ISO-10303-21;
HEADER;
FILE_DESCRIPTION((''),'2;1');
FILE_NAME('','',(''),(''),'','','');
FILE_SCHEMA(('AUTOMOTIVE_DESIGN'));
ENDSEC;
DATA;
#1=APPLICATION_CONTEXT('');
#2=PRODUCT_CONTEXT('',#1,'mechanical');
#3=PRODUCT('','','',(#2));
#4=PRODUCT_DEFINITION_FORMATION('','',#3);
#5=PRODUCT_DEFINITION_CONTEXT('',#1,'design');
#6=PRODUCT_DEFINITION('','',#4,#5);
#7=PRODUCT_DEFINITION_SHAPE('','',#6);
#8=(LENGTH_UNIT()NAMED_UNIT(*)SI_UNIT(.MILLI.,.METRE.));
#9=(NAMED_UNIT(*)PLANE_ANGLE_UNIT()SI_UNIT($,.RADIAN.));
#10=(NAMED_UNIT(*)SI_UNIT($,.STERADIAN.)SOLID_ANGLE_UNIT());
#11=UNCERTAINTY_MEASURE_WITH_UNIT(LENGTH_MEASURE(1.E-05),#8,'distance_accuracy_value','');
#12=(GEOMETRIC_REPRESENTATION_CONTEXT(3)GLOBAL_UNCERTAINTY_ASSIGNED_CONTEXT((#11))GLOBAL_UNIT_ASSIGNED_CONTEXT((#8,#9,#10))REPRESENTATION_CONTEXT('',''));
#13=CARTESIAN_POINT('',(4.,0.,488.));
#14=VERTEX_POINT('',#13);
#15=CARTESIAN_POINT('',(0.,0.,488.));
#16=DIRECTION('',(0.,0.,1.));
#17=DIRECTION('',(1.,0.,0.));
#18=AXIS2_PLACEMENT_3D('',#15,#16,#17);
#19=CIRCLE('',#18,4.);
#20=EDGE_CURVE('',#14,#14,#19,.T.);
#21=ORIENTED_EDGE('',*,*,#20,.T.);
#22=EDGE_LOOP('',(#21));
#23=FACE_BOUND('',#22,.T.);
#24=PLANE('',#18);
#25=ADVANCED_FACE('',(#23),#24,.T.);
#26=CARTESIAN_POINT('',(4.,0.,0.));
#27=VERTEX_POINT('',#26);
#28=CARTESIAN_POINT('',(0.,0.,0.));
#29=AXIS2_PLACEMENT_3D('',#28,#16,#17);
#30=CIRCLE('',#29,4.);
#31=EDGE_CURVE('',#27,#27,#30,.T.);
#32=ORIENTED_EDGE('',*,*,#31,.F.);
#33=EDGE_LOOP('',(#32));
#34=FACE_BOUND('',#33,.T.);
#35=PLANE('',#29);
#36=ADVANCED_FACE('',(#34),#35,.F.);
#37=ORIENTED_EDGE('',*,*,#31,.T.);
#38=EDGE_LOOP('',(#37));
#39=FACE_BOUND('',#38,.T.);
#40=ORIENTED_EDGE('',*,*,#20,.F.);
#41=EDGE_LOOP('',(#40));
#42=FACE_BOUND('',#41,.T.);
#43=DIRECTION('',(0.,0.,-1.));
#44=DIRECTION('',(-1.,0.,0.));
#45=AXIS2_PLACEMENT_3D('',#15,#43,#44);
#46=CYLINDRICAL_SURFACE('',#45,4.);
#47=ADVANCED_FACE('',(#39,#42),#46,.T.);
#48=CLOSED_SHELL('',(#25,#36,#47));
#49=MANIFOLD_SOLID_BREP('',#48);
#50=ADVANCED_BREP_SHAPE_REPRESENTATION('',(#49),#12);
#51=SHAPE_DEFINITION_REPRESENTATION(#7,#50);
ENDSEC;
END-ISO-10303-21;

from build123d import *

# Parameters (mm, degrees)
ESQUISSE1_R        = 4
BOSS_EXTRU_1_DEPTH = 488


with BuildPart() as part:
    # Esquisse1 → Boss.-Extru.1 (new body)
    with BuildSketch(Plane.XY):
        Circle(ESQUISSE1_R)
    extrude(amount=BOSS_EXTRU_1_DEPTH)


solid = part.part
